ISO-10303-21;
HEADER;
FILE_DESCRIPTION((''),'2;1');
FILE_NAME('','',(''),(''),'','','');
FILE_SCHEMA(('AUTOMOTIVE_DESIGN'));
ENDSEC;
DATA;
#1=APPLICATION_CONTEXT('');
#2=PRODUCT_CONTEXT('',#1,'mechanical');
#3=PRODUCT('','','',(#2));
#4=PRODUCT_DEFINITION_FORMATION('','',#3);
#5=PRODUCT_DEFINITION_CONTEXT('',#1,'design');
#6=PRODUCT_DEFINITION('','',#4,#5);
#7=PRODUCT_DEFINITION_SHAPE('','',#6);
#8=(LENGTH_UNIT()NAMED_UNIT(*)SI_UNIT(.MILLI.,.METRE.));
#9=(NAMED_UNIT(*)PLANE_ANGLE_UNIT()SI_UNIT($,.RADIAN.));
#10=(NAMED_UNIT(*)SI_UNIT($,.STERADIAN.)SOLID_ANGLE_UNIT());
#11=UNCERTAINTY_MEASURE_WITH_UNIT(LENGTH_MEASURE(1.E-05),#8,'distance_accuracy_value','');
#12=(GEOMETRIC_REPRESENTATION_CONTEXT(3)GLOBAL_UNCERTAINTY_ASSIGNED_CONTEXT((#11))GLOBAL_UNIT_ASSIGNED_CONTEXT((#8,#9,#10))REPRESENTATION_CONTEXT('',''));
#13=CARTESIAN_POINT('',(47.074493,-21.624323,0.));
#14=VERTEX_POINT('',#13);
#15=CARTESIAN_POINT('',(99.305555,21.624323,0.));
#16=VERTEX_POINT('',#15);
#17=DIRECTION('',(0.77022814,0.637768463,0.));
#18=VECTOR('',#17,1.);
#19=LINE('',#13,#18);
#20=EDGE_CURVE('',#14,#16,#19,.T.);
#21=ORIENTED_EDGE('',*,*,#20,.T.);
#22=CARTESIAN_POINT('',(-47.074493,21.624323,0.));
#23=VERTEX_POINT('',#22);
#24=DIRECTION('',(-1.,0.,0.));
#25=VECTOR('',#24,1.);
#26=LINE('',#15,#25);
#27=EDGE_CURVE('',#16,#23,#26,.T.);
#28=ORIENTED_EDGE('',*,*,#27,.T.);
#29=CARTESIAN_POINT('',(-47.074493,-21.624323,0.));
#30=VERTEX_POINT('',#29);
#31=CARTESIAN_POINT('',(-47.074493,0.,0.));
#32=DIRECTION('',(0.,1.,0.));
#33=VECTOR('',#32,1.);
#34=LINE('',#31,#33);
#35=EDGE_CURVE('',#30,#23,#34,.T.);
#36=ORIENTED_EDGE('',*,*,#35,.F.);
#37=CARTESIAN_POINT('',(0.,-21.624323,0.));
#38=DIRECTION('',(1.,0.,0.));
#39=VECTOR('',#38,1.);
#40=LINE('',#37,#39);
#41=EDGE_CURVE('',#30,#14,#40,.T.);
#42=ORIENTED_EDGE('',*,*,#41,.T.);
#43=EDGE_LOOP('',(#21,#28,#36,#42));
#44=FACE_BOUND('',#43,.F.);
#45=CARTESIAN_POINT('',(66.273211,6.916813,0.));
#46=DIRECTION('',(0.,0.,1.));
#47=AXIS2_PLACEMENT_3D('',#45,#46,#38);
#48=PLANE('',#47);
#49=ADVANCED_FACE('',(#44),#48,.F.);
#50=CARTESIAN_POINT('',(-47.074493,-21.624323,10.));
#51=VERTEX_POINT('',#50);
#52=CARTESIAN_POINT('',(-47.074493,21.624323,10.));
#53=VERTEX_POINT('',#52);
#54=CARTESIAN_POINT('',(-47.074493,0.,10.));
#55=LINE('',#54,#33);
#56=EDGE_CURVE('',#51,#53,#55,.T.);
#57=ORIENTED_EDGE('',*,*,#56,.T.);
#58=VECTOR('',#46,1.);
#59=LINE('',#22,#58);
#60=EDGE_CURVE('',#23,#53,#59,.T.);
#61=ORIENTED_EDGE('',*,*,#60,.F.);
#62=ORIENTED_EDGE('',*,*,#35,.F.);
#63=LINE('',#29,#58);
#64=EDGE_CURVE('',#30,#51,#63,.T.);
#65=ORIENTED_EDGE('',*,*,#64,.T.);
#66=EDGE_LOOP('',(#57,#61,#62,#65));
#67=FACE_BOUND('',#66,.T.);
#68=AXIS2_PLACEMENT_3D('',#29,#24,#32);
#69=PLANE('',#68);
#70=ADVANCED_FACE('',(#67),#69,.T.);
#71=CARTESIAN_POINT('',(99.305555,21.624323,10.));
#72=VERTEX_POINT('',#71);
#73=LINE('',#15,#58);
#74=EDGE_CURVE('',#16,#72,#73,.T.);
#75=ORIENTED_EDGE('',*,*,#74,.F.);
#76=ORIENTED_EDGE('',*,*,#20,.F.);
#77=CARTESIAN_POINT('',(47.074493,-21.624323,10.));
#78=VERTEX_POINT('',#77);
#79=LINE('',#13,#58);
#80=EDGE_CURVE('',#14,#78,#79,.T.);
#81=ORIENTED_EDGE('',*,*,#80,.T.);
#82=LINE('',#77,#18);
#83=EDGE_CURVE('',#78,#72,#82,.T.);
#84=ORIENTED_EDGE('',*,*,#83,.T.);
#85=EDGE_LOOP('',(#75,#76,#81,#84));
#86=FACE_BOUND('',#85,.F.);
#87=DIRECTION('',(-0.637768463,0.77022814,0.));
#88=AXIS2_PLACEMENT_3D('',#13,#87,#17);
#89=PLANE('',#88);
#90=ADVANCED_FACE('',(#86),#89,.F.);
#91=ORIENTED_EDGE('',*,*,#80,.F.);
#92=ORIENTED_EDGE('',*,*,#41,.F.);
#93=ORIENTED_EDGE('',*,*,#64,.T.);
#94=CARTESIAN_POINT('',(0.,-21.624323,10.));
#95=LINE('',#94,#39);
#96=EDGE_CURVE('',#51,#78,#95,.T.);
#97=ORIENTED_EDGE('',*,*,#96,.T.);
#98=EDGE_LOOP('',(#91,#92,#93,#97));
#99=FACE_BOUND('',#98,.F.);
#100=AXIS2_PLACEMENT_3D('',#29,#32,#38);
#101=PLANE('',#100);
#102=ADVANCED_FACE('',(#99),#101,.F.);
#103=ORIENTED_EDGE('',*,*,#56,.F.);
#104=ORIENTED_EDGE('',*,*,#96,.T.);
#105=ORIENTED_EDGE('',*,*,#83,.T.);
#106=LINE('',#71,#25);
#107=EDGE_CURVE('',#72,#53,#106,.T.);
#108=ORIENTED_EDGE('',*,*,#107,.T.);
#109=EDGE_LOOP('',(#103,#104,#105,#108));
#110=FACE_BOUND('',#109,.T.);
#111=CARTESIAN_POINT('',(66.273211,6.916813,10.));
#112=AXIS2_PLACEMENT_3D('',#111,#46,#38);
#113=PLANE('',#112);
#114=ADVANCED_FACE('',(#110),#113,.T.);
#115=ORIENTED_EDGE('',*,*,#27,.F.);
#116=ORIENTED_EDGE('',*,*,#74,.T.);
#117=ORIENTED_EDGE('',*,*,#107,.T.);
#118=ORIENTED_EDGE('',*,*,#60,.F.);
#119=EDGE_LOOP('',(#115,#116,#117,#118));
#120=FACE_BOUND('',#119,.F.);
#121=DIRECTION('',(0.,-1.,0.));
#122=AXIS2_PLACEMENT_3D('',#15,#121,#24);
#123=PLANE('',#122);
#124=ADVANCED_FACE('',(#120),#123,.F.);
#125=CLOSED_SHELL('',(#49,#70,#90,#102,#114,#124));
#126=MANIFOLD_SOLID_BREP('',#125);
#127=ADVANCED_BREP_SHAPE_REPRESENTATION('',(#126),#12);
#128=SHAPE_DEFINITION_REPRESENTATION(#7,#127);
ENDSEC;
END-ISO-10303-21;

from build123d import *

# Parameters (mm, degrees)
F0_W     = 94.148986
F0_H     = 43.248646
F1_DEPTH = 10


with BuildPart() as f1:
    # F0 (on Top) → F1 (new body)
    with BuildSketch(Plane.XY):
        Polygon((47.074493, 21.624323), (47.074493, -21.624323), (99.305555, 21.624323), align=None)
        Rectangle(F0_W, F0_H)
    extrude(amount=F1_DEPTH)


solid = f1.part
